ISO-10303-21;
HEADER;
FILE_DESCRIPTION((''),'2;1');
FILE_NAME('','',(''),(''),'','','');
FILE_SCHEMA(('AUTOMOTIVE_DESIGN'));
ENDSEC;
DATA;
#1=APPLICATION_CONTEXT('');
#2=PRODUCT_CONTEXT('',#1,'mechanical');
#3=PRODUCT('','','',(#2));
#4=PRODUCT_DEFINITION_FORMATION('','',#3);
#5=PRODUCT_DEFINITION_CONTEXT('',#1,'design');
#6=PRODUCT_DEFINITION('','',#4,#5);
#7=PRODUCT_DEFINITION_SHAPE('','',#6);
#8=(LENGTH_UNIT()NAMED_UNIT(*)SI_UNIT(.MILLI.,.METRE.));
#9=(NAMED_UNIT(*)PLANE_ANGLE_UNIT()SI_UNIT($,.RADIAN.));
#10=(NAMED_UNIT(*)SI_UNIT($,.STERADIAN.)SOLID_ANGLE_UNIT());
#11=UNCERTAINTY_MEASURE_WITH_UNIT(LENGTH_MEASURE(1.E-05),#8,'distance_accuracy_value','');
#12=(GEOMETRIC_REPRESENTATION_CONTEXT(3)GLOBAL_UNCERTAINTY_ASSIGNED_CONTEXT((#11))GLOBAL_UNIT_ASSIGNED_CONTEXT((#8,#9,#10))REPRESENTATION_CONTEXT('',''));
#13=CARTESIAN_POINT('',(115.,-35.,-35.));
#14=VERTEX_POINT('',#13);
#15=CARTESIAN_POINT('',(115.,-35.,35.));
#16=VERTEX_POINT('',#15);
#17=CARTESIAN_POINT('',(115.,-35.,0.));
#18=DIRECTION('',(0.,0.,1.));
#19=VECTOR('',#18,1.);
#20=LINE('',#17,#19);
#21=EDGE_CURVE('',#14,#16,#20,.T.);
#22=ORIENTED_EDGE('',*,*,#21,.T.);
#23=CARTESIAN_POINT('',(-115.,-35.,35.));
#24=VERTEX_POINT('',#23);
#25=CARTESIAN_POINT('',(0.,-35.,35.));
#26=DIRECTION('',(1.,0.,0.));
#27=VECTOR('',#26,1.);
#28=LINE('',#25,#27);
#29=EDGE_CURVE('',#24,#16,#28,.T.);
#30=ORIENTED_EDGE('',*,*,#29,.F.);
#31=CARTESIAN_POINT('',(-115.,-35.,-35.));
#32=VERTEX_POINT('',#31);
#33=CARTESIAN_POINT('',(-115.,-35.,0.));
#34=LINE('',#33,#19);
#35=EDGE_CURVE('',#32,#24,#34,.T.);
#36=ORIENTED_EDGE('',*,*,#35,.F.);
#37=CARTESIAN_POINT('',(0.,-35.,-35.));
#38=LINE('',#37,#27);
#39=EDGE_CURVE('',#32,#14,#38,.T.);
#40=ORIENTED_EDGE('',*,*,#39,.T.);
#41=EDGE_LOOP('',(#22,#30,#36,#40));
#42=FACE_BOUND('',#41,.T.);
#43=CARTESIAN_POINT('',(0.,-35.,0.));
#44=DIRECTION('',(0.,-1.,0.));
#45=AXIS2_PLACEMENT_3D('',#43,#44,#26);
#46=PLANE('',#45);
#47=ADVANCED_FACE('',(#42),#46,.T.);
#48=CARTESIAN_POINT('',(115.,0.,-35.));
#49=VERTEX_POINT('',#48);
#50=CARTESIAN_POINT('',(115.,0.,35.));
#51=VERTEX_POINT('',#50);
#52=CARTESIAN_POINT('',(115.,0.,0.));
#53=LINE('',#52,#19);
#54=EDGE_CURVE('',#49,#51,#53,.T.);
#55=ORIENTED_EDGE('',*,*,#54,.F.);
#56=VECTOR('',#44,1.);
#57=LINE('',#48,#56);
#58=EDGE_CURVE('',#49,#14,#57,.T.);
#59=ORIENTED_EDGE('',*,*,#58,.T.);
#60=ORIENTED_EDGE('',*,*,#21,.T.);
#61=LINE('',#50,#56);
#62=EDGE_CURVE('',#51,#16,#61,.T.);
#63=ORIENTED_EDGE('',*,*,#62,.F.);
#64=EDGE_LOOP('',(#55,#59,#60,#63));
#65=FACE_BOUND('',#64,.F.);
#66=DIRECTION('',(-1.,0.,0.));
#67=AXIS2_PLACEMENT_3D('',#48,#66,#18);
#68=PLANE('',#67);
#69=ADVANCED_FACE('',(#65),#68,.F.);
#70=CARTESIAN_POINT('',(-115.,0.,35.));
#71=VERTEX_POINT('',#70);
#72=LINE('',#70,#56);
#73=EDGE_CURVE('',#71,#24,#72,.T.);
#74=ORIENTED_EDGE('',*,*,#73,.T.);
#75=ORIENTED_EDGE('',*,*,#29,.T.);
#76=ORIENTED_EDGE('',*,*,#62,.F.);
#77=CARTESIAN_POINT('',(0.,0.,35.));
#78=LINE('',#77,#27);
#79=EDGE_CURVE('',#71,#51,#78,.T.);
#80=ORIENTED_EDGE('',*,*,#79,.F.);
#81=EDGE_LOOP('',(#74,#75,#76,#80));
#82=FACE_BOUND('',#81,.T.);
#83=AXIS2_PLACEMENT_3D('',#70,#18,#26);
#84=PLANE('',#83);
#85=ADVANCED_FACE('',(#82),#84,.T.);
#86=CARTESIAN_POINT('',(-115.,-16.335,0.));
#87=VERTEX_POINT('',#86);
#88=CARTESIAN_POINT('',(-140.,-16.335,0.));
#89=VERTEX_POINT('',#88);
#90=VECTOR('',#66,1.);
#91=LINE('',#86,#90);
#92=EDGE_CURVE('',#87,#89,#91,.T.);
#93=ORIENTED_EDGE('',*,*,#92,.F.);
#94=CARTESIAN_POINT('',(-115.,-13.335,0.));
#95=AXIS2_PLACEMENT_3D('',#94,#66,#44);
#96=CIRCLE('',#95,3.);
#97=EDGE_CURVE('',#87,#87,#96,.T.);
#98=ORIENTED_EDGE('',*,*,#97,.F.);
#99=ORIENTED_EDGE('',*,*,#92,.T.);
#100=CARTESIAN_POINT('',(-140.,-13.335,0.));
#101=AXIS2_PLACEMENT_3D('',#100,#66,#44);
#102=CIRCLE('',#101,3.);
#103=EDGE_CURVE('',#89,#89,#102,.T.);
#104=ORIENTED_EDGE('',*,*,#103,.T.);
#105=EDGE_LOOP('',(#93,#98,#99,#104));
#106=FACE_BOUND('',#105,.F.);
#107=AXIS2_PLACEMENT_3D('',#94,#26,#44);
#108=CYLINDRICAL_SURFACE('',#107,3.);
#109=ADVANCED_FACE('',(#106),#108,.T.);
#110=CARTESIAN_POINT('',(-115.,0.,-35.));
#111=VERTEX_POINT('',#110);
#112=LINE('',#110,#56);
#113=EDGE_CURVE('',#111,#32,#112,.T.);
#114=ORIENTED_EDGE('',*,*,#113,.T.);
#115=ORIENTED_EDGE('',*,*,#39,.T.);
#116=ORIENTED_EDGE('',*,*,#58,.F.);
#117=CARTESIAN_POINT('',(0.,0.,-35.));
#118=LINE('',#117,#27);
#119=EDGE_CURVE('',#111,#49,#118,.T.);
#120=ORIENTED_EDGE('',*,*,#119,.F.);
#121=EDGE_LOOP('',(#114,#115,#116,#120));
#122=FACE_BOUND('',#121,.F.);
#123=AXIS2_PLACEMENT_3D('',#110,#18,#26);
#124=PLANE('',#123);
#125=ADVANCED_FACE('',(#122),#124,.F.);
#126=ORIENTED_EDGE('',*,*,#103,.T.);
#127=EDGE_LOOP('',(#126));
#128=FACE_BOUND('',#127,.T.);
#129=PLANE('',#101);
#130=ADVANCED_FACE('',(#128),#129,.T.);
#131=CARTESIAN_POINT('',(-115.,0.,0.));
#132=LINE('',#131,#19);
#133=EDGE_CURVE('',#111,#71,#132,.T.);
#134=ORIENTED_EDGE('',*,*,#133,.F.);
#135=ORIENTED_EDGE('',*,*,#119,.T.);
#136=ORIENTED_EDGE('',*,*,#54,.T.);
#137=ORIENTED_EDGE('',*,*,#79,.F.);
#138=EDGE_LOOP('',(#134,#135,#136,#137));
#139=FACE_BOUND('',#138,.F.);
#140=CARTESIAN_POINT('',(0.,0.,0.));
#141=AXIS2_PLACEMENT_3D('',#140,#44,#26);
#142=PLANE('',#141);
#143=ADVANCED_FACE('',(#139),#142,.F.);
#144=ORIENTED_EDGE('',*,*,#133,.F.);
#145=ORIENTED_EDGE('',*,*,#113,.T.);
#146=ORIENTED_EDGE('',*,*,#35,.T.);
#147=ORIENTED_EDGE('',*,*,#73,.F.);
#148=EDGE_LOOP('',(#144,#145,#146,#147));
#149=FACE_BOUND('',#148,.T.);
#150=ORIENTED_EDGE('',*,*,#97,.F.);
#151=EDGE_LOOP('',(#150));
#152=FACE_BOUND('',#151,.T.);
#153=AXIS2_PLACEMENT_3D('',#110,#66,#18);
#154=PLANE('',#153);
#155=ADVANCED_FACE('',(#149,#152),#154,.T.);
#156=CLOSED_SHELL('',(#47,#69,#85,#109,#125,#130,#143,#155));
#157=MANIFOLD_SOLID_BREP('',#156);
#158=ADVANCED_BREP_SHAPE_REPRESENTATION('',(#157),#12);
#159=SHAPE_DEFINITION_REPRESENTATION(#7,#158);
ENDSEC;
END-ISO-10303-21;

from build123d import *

# Parameters (mm, degrees)
F0_W     = 230
F0_H     = 70
F1_DEPTH = 35
F2_R     = 3
F3_DEPTH = 25


with BuildPart() as f1:
    # F0 (on Front) → F1 (new body)
    with BuildSketch(Plane.XZ):
        Rectangle(F0_W, F0_H)
    extrude(amount=F1_DEPTH)

    # F2 (on face) → F3 (join)
    with BuildSketch(Plane(origin=(-115, 0, 0), x_dir=(0, -1, 0), z_dir=(-1, 0, 0))):
        with Locations((13.335, 0)):
            Circle(F2_R)
    extrude(amount=F3_DEPTH)


solid = f1.part
